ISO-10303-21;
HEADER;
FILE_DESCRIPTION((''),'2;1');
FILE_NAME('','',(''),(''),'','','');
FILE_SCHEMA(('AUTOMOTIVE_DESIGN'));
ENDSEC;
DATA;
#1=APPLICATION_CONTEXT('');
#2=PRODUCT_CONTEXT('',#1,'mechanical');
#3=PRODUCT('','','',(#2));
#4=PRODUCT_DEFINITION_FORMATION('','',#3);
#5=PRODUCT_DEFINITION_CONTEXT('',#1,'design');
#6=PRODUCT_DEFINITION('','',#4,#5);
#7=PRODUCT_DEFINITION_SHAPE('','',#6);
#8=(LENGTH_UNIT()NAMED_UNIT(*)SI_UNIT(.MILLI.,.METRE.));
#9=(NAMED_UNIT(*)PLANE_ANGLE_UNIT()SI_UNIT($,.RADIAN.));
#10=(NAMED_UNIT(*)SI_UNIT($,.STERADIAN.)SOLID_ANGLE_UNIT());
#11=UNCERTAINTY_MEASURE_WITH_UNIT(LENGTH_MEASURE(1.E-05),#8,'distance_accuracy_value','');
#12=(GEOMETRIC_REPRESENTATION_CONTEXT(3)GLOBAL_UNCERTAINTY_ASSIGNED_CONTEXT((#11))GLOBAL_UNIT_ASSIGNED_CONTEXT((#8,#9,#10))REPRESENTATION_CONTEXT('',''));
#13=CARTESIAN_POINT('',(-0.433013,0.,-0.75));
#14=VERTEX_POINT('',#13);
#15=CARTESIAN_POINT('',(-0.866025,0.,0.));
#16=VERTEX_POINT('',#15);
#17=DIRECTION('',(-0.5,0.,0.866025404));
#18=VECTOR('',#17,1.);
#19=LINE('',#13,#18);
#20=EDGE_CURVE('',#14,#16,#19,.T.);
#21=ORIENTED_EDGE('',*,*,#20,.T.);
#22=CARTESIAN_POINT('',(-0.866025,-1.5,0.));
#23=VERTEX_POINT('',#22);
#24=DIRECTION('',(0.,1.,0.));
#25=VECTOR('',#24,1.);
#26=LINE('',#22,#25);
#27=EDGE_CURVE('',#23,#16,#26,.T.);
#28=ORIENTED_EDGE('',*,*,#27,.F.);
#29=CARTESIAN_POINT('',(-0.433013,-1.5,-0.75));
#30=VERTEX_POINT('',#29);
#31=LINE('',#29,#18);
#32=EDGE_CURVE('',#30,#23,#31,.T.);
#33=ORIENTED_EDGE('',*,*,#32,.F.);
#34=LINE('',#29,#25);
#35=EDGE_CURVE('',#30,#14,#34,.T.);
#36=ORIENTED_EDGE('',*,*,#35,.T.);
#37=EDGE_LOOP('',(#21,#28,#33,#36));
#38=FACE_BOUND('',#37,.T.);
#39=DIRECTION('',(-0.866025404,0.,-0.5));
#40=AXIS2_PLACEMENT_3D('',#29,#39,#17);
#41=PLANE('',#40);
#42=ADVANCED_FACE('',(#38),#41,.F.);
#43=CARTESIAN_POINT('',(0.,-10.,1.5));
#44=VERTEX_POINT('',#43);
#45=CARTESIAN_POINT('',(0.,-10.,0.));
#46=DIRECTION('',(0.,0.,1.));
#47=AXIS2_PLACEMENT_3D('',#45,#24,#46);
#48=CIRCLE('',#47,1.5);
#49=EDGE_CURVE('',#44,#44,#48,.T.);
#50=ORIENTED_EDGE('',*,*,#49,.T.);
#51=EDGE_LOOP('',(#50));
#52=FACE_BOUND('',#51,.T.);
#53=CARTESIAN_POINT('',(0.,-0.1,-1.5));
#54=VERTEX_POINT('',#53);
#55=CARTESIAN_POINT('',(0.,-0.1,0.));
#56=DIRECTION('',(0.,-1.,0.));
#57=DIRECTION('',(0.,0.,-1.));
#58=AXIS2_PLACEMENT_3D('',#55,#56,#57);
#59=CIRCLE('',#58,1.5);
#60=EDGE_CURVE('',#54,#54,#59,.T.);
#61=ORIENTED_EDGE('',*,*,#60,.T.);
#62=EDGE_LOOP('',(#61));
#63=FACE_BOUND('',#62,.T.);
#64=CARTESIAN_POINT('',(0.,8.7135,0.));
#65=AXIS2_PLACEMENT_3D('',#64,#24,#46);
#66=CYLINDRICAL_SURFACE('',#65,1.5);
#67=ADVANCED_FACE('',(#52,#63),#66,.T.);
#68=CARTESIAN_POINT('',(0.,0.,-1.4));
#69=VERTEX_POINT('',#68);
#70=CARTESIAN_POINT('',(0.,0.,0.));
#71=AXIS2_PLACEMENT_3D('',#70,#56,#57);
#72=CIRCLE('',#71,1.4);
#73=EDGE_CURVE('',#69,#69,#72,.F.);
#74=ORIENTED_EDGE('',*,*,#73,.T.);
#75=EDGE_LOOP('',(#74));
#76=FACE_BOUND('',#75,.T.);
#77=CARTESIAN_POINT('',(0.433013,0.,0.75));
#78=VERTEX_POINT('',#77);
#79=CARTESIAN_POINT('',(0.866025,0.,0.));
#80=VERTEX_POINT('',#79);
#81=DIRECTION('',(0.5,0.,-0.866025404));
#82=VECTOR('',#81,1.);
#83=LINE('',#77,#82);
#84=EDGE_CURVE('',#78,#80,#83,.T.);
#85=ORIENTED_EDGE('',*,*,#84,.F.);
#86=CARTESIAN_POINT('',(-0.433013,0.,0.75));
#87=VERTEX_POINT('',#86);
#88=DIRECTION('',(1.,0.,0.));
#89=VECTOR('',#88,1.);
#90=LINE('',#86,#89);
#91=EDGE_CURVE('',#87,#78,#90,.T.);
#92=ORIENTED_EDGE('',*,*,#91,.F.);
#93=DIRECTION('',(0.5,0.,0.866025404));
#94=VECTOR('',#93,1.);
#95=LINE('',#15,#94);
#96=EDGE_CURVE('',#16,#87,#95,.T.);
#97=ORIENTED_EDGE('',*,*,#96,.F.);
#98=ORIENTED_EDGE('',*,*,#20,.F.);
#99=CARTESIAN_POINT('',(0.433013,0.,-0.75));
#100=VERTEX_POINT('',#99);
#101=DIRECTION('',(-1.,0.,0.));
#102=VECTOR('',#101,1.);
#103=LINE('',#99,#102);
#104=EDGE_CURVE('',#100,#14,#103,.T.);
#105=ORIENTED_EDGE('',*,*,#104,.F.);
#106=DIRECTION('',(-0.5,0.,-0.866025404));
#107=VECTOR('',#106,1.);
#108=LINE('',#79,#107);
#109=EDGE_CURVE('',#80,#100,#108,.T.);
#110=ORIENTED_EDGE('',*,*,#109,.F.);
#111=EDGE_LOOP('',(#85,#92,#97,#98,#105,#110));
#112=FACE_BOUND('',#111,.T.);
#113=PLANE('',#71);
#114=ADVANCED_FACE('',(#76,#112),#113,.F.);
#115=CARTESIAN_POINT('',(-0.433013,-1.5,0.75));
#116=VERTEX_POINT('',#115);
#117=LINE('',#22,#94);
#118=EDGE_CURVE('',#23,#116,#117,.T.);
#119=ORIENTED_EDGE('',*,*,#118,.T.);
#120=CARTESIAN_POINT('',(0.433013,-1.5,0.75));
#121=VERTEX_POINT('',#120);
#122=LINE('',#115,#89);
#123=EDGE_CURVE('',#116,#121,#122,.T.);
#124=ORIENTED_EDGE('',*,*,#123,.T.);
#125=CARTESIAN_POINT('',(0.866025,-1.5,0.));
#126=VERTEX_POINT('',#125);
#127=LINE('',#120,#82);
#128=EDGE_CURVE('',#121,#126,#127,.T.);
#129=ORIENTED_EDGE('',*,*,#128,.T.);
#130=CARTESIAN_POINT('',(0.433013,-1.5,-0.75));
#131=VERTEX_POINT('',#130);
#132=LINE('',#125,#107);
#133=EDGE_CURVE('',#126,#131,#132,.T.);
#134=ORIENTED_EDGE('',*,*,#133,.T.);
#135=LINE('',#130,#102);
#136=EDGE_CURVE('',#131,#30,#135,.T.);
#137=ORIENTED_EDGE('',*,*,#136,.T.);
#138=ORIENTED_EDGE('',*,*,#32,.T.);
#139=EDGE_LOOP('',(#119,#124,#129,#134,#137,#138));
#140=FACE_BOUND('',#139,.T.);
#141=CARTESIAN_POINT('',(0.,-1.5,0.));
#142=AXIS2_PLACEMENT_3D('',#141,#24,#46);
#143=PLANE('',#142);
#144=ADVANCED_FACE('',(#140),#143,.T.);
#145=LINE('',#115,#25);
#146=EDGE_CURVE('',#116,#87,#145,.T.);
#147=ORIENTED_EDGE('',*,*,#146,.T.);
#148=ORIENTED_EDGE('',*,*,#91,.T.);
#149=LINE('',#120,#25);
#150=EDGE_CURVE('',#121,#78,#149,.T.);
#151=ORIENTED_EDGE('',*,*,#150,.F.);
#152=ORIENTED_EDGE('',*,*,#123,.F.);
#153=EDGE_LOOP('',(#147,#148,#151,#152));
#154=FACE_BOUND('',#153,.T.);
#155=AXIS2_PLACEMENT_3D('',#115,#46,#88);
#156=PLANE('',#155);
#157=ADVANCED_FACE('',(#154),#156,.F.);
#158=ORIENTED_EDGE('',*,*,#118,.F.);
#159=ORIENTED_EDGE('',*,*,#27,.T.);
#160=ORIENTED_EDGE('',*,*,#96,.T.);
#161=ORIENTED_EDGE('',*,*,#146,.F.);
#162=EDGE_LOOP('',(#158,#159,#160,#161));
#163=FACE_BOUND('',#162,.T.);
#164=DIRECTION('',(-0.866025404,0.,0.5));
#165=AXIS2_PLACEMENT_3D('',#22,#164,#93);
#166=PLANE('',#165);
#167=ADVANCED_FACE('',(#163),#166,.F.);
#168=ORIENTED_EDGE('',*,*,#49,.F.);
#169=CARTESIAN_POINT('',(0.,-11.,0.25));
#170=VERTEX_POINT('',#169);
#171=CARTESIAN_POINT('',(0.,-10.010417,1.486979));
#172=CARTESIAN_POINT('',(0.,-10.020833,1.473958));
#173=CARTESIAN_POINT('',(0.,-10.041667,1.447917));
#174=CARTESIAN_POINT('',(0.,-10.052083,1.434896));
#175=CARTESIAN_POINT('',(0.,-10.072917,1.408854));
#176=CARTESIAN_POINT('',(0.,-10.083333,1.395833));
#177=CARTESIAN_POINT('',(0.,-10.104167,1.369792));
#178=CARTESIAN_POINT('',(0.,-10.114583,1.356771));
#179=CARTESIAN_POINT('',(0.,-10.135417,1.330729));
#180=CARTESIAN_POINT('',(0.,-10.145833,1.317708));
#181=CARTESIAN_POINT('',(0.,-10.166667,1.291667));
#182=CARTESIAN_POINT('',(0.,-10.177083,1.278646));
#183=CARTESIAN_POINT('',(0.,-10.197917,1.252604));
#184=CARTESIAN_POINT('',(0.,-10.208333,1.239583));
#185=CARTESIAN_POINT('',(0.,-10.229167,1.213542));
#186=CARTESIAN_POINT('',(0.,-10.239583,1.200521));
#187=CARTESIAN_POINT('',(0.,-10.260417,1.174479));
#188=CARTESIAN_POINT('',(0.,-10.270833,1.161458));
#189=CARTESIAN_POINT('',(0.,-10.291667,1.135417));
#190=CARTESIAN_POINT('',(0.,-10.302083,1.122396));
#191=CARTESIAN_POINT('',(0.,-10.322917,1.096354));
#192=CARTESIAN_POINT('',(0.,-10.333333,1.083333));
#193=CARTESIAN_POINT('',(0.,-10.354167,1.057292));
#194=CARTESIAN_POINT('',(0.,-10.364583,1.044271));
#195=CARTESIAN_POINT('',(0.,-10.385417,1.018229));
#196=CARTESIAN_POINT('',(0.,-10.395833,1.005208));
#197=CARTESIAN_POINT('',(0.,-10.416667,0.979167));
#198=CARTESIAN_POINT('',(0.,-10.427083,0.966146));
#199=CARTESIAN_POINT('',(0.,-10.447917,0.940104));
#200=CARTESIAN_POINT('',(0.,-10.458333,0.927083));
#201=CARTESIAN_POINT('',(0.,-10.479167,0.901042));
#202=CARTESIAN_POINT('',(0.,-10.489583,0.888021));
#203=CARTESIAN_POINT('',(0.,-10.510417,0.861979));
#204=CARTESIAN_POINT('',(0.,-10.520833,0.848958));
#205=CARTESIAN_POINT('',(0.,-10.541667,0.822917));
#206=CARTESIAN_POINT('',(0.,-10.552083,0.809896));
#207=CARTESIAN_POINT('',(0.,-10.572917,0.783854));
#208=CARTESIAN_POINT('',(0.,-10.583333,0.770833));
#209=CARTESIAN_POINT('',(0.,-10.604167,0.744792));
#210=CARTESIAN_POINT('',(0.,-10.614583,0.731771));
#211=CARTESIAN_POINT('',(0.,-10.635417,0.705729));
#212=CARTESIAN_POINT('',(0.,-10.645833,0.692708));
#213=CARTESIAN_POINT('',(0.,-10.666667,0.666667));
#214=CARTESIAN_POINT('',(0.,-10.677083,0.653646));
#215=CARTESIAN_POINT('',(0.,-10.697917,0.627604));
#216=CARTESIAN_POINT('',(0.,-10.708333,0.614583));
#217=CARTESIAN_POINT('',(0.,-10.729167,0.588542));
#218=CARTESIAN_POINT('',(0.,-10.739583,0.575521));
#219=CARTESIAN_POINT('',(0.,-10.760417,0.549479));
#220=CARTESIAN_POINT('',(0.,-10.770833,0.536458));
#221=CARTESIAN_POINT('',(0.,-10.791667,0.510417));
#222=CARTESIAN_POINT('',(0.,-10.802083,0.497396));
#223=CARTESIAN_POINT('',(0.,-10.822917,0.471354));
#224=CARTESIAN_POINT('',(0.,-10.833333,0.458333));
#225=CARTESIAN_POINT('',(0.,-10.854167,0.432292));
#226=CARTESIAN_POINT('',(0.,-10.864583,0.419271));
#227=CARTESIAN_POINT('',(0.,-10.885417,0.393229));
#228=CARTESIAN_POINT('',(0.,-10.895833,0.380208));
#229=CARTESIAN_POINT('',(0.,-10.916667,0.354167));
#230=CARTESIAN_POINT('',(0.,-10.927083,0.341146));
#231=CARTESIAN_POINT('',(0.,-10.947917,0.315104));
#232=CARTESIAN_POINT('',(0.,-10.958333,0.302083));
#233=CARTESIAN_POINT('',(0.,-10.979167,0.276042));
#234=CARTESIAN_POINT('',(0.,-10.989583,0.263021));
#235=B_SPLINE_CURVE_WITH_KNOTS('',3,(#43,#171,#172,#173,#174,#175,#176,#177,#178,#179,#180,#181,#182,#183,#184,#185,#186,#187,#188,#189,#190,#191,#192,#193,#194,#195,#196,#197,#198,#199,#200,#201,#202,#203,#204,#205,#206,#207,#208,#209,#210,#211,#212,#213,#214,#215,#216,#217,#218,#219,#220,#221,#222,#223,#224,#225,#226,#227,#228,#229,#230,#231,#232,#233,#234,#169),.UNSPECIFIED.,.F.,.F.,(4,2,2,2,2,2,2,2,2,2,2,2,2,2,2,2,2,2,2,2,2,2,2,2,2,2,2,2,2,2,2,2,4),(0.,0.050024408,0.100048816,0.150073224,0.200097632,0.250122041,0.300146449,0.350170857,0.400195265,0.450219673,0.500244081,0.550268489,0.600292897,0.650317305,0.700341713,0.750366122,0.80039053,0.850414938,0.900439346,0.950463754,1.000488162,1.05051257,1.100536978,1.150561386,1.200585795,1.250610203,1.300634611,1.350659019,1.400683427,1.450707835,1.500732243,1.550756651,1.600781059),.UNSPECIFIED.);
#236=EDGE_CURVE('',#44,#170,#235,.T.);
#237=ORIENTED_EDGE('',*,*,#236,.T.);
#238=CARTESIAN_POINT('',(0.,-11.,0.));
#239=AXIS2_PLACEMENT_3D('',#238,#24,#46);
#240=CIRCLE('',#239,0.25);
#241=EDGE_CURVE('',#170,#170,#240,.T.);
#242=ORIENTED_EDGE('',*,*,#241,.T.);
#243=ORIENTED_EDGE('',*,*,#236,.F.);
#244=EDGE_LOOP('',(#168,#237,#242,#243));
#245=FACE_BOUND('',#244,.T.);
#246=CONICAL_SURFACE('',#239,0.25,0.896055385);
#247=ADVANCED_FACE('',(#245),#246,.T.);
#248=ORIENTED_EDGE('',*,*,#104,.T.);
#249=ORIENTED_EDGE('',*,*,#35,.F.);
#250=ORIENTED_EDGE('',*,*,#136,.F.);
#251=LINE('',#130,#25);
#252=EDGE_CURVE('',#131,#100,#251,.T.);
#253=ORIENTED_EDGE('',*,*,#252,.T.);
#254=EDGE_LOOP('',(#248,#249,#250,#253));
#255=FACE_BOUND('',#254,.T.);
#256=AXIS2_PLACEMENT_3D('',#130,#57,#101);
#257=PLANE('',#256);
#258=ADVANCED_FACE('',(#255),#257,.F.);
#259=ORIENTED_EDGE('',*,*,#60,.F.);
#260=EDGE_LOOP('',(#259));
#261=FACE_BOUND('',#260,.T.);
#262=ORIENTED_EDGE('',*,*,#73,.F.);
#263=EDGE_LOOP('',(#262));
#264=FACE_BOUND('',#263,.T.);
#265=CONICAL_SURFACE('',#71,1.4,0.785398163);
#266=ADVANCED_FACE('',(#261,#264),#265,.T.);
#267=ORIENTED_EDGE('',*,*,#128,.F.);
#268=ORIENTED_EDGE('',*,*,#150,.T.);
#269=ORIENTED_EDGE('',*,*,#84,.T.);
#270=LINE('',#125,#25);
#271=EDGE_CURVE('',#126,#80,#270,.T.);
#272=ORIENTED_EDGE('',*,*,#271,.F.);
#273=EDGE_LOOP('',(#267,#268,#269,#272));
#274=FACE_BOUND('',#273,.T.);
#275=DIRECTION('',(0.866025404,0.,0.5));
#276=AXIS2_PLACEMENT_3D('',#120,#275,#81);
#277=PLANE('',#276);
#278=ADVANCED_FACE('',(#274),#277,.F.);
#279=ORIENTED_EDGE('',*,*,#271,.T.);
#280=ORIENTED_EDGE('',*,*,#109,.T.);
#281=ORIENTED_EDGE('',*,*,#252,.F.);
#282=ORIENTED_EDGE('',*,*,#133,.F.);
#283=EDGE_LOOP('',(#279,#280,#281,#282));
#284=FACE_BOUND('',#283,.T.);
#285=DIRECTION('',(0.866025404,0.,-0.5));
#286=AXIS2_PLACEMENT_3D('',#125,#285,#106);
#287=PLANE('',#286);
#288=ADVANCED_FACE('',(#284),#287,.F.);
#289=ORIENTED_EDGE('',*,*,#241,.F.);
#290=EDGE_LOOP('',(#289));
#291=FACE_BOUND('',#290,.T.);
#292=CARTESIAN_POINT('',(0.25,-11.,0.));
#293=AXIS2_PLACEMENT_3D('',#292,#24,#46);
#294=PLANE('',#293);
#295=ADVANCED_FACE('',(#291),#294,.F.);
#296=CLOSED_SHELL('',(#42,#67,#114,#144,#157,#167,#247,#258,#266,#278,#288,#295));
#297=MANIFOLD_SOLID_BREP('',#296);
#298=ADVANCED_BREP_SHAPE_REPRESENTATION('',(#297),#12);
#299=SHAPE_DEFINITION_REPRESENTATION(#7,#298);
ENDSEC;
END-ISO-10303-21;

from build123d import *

# Parameters (mm, degrees)
CUT_EXTRUDE_1_DEPTH = 1.5
CHAMFER_1_SIZE      = 0.1


with BuildPart() as part:
    # 草图1 → 旋转1 (revolve)
    with BuildSketch(Plane.XY, mode=Mode.PRIVATE) as revolve_1_sk:
        Polygon((0, 0), (1.5, 0), (1.5, -10), (0.25, -11), (0, -11), align=None)
    revolve(revolve_1_sk.sketch.rotate(Axis((0, 8.713500289, 0), (0, -1, 0)), 90), axis=Axis((0, 8.713500289, 0), (0, -1, 0)))

    # 草图2 → 切除-拉伸1 (cut)
    with BuildSketch(Plane(origin=(0, 0, 0), x_dir=(1, 0, 0), z_dir=(0, 1, 0))):
        Polygon((-0.433012702, -0.75), (0.433012702, -0.75), (0.866025404, 0), (0.433012702, 0.75), (-0.433012702, 0.75), (-0.866025404, 0), align=None)
    extrude(amount=-CUT_EXTRUDE_1_DEPTH, mode=Mode.SUBTRACT)

    # 倒角1
    chamfer_1_edges = [part.edges().sort_by_distance(p)[0] for p in [
        (0, 0, -1.5),
    ]]
    chamfer(chamfer_1_edges, length=CHAMFER_1_SIZE)


solid = part.part
